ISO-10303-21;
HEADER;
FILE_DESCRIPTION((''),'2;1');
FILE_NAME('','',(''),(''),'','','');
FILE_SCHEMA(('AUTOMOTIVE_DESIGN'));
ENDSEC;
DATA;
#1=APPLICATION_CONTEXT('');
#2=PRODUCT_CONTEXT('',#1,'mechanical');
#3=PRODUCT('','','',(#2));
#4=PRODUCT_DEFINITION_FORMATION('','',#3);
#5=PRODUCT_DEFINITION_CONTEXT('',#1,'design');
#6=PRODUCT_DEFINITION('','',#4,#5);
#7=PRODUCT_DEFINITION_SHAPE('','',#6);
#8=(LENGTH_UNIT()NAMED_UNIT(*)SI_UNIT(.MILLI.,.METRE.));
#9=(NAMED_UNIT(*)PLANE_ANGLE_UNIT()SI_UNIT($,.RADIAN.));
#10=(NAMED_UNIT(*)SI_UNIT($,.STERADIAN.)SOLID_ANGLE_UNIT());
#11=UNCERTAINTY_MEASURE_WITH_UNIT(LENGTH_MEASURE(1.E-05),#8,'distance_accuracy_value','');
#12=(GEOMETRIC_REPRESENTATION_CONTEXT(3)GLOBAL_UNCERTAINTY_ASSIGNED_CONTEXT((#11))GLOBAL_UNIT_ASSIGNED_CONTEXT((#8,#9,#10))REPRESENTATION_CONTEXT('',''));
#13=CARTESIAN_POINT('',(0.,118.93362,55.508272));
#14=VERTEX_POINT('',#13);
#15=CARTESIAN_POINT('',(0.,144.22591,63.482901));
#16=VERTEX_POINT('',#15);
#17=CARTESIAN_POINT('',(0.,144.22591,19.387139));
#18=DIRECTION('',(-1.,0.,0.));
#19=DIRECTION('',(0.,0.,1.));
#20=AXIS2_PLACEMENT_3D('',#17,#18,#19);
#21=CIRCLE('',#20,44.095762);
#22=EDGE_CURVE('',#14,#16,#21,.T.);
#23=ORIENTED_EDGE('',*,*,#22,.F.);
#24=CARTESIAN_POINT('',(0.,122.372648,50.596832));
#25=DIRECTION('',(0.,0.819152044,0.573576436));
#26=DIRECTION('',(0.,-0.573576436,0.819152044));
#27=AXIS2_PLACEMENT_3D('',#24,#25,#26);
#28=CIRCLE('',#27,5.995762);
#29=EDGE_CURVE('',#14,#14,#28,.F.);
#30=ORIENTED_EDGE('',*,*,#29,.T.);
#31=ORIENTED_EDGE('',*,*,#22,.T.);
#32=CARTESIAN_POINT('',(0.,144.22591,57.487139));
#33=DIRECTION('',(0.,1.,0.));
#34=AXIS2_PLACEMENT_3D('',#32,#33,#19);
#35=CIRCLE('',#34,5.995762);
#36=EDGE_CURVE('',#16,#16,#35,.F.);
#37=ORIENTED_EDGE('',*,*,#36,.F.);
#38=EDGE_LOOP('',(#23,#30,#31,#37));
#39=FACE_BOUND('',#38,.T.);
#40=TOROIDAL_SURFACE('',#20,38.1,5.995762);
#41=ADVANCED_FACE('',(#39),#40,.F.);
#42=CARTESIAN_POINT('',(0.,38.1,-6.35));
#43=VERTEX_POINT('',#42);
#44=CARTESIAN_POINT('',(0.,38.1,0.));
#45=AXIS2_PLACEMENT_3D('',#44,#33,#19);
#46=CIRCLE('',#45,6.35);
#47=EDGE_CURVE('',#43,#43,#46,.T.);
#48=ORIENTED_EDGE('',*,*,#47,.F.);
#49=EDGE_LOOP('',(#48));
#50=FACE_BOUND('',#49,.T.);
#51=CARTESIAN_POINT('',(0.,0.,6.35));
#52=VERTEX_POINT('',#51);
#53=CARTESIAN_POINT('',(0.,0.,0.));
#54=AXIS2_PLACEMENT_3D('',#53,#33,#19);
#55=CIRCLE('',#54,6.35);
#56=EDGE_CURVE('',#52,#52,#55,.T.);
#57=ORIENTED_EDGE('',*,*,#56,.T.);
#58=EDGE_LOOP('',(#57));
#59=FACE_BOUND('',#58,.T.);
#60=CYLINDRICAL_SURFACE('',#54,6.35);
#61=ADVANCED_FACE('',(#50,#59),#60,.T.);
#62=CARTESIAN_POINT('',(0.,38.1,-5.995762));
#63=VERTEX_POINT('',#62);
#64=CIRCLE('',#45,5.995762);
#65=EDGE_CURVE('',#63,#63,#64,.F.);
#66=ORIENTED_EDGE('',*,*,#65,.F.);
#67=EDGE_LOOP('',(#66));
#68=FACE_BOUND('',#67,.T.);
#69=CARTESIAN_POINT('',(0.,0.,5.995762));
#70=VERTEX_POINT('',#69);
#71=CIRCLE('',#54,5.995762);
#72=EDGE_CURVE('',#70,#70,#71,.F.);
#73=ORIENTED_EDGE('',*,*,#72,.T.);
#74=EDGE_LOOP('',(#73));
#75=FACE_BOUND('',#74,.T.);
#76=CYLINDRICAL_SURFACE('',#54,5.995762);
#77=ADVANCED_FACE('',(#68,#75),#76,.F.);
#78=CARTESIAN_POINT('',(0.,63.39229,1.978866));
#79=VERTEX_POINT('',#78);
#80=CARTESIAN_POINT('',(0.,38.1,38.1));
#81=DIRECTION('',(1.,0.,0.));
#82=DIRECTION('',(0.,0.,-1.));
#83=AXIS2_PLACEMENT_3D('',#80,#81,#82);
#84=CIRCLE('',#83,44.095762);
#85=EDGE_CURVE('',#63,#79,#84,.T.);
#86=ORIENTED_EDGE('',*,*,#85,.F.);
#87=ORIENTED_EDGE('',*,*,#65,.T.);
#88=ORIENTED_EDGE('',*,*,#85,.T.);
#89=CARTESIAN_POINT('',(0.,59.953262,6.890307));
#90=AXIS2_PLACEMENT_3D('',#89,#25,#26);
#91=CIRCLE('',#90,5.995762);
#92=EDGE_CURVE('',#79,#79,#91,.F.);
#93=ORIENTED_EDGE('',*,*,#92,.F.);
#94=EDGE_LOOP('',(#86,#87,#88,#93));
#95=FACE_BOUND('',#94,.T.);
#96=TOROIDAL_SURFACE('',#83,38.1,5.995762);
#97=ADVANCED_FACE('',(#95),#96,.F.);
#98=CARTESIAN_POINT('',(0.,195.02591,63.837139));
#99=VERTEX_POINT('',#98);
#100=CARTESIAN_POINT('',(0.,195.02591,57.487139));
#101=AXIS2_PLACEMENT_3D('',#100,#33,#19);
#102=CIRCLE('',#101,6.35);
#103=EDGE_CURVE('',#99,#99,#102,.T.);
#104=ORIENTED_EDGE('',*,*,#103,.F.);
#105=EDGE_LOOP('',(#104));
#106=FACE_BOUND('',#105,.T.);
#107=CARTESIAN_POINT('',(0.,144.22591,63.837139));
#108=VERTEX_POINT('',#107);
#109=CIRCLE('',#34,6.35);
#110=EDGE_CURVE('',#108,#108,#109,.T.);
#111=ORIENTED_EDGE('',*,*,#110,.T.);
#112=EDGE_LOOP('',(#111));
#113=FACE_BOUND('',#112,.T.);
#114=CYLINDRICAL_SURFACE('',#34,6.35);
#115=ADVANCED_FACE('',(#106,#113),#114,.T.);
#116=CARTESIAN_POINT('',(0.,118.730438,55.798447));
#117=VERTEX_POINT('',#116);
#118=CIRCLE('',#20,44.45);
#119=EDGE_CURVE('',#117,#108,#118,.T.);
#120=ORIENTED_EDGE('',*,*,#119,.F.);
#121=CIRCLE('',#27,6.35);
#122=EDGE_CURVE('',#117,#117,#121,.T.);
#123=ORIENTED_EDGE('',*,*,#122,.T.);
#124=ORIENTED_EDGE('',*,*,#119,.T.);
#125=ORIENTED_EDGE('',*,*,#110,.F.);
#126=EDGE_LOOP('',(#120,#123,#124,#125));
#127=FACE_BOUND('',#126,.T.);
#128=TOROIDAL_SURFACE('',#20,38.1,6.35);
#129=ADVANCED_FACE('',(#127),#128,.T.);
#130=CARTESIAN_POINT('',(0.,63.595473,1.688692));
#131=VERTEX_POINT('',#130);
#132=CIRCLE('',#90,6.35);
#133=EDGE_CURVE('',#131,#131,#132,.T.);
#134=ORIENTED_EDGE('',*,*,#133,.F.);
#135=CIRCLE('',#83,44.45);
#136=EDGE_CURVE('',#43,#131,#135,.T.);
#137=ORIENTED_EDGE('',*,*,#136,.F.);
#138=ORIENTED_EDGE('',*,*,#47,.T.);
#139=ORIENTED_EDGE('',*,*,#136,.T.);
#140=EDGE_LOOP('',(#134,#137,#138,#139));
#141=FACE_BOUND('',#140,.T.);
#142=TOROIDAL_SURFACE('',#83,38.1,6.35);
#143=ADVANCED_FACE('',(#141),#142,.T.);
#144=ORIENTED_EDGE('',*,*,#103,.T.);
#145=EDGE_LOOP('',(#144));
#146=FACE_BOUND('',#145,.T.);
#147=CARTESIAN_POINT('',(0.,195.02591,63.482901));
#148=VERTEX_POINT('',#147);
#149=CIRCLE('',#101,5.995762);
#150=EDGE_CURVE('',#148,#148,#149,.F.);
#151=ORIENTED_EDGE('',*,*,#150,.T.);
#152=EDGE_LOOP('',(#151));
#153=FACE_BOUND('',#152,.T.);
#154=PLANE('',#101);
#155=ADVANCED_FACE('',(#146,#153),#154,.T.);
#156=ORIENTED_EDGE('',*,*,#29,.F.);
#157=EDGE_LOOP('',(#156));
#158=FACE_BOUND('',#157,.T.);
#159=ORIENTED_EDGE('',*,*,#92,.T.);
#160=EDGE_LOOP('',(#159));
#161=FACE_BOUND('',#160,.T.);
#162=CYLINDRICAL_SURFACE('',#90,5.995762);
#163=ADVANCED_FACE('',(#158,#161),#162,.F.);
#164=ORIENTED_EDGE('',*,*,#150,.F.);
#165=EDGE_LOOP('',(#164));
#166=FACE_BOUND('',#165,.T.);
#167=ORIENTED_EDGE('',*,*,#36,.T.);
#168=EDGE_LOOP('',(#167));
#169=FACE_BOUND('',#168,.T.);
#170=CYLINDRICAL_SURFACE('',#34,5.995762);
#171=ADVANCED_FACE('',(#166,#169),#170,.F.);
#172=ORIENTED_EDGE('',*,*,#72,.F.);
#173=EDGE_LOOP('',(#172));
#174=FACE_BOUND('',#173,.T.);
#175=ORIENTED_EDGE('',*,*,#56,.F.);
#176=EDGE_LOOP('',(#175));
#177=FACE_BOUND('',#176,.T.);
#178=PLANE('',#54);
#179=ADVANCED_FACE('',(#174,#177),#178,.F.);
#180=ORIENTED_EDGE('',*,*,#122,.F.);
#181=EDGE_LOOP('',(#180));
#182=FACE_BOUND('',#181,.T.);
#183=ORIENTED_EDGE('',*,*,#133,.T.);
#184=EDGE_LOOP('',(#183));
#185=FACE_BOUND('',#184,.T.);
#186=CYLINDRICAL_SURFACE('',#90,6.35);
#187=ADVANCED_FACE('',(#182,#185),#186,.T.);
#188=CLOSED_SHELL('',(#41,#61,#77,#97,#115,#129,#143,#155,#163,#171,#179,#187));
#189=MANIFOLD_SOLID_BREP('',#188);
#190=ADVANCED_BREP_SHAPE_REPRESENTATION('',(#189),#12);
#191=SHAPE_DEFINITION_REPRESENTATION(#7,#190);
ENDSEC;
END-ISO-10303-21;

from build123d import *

# Parameters (mm, degrees)
SKETCH1_R   = 6.35
SKETCH1_R_2 = 5.995762211


with BuildPart() as part:
    # Sweep1: sweep along a path in Sketch2
    with BuildLine(Plane(origin=(0, 0, 0), x_dir=(0, 0, -1), z_dir=(1, 0, 0))) as sweep1_path:
        Line((0, 0), (0, 38.1))
        ThreePointArc((0, 38.1), (-1.763384176, 49.556890961), (-6.890307113, 59.953262225))
        Line((-6.890307113, 59.953262225), (-50.596831563, 122.372648))
        ThreePointArc((-50.596831563, 122.372648), (-55.723754499, 132.769019264), (-57.487138675, 144.225910225))
        Line((-57.487138675, 144.225910225), (-57.487138675, 195.025910225))
    # Sketch1 → Sweep1 (sweep)
    with BuildSketch(Plane(origin=(0, 0, 0), x_dir=(1, 0, 0), z_dir=(0, 1, 0))):
        Circle(SKETCH1_R)
        Circle(SKETCH1_R_2, mode=Mode.SUBTRACT)
    sweep(path=sweep1_path.line)


solid = part.part
